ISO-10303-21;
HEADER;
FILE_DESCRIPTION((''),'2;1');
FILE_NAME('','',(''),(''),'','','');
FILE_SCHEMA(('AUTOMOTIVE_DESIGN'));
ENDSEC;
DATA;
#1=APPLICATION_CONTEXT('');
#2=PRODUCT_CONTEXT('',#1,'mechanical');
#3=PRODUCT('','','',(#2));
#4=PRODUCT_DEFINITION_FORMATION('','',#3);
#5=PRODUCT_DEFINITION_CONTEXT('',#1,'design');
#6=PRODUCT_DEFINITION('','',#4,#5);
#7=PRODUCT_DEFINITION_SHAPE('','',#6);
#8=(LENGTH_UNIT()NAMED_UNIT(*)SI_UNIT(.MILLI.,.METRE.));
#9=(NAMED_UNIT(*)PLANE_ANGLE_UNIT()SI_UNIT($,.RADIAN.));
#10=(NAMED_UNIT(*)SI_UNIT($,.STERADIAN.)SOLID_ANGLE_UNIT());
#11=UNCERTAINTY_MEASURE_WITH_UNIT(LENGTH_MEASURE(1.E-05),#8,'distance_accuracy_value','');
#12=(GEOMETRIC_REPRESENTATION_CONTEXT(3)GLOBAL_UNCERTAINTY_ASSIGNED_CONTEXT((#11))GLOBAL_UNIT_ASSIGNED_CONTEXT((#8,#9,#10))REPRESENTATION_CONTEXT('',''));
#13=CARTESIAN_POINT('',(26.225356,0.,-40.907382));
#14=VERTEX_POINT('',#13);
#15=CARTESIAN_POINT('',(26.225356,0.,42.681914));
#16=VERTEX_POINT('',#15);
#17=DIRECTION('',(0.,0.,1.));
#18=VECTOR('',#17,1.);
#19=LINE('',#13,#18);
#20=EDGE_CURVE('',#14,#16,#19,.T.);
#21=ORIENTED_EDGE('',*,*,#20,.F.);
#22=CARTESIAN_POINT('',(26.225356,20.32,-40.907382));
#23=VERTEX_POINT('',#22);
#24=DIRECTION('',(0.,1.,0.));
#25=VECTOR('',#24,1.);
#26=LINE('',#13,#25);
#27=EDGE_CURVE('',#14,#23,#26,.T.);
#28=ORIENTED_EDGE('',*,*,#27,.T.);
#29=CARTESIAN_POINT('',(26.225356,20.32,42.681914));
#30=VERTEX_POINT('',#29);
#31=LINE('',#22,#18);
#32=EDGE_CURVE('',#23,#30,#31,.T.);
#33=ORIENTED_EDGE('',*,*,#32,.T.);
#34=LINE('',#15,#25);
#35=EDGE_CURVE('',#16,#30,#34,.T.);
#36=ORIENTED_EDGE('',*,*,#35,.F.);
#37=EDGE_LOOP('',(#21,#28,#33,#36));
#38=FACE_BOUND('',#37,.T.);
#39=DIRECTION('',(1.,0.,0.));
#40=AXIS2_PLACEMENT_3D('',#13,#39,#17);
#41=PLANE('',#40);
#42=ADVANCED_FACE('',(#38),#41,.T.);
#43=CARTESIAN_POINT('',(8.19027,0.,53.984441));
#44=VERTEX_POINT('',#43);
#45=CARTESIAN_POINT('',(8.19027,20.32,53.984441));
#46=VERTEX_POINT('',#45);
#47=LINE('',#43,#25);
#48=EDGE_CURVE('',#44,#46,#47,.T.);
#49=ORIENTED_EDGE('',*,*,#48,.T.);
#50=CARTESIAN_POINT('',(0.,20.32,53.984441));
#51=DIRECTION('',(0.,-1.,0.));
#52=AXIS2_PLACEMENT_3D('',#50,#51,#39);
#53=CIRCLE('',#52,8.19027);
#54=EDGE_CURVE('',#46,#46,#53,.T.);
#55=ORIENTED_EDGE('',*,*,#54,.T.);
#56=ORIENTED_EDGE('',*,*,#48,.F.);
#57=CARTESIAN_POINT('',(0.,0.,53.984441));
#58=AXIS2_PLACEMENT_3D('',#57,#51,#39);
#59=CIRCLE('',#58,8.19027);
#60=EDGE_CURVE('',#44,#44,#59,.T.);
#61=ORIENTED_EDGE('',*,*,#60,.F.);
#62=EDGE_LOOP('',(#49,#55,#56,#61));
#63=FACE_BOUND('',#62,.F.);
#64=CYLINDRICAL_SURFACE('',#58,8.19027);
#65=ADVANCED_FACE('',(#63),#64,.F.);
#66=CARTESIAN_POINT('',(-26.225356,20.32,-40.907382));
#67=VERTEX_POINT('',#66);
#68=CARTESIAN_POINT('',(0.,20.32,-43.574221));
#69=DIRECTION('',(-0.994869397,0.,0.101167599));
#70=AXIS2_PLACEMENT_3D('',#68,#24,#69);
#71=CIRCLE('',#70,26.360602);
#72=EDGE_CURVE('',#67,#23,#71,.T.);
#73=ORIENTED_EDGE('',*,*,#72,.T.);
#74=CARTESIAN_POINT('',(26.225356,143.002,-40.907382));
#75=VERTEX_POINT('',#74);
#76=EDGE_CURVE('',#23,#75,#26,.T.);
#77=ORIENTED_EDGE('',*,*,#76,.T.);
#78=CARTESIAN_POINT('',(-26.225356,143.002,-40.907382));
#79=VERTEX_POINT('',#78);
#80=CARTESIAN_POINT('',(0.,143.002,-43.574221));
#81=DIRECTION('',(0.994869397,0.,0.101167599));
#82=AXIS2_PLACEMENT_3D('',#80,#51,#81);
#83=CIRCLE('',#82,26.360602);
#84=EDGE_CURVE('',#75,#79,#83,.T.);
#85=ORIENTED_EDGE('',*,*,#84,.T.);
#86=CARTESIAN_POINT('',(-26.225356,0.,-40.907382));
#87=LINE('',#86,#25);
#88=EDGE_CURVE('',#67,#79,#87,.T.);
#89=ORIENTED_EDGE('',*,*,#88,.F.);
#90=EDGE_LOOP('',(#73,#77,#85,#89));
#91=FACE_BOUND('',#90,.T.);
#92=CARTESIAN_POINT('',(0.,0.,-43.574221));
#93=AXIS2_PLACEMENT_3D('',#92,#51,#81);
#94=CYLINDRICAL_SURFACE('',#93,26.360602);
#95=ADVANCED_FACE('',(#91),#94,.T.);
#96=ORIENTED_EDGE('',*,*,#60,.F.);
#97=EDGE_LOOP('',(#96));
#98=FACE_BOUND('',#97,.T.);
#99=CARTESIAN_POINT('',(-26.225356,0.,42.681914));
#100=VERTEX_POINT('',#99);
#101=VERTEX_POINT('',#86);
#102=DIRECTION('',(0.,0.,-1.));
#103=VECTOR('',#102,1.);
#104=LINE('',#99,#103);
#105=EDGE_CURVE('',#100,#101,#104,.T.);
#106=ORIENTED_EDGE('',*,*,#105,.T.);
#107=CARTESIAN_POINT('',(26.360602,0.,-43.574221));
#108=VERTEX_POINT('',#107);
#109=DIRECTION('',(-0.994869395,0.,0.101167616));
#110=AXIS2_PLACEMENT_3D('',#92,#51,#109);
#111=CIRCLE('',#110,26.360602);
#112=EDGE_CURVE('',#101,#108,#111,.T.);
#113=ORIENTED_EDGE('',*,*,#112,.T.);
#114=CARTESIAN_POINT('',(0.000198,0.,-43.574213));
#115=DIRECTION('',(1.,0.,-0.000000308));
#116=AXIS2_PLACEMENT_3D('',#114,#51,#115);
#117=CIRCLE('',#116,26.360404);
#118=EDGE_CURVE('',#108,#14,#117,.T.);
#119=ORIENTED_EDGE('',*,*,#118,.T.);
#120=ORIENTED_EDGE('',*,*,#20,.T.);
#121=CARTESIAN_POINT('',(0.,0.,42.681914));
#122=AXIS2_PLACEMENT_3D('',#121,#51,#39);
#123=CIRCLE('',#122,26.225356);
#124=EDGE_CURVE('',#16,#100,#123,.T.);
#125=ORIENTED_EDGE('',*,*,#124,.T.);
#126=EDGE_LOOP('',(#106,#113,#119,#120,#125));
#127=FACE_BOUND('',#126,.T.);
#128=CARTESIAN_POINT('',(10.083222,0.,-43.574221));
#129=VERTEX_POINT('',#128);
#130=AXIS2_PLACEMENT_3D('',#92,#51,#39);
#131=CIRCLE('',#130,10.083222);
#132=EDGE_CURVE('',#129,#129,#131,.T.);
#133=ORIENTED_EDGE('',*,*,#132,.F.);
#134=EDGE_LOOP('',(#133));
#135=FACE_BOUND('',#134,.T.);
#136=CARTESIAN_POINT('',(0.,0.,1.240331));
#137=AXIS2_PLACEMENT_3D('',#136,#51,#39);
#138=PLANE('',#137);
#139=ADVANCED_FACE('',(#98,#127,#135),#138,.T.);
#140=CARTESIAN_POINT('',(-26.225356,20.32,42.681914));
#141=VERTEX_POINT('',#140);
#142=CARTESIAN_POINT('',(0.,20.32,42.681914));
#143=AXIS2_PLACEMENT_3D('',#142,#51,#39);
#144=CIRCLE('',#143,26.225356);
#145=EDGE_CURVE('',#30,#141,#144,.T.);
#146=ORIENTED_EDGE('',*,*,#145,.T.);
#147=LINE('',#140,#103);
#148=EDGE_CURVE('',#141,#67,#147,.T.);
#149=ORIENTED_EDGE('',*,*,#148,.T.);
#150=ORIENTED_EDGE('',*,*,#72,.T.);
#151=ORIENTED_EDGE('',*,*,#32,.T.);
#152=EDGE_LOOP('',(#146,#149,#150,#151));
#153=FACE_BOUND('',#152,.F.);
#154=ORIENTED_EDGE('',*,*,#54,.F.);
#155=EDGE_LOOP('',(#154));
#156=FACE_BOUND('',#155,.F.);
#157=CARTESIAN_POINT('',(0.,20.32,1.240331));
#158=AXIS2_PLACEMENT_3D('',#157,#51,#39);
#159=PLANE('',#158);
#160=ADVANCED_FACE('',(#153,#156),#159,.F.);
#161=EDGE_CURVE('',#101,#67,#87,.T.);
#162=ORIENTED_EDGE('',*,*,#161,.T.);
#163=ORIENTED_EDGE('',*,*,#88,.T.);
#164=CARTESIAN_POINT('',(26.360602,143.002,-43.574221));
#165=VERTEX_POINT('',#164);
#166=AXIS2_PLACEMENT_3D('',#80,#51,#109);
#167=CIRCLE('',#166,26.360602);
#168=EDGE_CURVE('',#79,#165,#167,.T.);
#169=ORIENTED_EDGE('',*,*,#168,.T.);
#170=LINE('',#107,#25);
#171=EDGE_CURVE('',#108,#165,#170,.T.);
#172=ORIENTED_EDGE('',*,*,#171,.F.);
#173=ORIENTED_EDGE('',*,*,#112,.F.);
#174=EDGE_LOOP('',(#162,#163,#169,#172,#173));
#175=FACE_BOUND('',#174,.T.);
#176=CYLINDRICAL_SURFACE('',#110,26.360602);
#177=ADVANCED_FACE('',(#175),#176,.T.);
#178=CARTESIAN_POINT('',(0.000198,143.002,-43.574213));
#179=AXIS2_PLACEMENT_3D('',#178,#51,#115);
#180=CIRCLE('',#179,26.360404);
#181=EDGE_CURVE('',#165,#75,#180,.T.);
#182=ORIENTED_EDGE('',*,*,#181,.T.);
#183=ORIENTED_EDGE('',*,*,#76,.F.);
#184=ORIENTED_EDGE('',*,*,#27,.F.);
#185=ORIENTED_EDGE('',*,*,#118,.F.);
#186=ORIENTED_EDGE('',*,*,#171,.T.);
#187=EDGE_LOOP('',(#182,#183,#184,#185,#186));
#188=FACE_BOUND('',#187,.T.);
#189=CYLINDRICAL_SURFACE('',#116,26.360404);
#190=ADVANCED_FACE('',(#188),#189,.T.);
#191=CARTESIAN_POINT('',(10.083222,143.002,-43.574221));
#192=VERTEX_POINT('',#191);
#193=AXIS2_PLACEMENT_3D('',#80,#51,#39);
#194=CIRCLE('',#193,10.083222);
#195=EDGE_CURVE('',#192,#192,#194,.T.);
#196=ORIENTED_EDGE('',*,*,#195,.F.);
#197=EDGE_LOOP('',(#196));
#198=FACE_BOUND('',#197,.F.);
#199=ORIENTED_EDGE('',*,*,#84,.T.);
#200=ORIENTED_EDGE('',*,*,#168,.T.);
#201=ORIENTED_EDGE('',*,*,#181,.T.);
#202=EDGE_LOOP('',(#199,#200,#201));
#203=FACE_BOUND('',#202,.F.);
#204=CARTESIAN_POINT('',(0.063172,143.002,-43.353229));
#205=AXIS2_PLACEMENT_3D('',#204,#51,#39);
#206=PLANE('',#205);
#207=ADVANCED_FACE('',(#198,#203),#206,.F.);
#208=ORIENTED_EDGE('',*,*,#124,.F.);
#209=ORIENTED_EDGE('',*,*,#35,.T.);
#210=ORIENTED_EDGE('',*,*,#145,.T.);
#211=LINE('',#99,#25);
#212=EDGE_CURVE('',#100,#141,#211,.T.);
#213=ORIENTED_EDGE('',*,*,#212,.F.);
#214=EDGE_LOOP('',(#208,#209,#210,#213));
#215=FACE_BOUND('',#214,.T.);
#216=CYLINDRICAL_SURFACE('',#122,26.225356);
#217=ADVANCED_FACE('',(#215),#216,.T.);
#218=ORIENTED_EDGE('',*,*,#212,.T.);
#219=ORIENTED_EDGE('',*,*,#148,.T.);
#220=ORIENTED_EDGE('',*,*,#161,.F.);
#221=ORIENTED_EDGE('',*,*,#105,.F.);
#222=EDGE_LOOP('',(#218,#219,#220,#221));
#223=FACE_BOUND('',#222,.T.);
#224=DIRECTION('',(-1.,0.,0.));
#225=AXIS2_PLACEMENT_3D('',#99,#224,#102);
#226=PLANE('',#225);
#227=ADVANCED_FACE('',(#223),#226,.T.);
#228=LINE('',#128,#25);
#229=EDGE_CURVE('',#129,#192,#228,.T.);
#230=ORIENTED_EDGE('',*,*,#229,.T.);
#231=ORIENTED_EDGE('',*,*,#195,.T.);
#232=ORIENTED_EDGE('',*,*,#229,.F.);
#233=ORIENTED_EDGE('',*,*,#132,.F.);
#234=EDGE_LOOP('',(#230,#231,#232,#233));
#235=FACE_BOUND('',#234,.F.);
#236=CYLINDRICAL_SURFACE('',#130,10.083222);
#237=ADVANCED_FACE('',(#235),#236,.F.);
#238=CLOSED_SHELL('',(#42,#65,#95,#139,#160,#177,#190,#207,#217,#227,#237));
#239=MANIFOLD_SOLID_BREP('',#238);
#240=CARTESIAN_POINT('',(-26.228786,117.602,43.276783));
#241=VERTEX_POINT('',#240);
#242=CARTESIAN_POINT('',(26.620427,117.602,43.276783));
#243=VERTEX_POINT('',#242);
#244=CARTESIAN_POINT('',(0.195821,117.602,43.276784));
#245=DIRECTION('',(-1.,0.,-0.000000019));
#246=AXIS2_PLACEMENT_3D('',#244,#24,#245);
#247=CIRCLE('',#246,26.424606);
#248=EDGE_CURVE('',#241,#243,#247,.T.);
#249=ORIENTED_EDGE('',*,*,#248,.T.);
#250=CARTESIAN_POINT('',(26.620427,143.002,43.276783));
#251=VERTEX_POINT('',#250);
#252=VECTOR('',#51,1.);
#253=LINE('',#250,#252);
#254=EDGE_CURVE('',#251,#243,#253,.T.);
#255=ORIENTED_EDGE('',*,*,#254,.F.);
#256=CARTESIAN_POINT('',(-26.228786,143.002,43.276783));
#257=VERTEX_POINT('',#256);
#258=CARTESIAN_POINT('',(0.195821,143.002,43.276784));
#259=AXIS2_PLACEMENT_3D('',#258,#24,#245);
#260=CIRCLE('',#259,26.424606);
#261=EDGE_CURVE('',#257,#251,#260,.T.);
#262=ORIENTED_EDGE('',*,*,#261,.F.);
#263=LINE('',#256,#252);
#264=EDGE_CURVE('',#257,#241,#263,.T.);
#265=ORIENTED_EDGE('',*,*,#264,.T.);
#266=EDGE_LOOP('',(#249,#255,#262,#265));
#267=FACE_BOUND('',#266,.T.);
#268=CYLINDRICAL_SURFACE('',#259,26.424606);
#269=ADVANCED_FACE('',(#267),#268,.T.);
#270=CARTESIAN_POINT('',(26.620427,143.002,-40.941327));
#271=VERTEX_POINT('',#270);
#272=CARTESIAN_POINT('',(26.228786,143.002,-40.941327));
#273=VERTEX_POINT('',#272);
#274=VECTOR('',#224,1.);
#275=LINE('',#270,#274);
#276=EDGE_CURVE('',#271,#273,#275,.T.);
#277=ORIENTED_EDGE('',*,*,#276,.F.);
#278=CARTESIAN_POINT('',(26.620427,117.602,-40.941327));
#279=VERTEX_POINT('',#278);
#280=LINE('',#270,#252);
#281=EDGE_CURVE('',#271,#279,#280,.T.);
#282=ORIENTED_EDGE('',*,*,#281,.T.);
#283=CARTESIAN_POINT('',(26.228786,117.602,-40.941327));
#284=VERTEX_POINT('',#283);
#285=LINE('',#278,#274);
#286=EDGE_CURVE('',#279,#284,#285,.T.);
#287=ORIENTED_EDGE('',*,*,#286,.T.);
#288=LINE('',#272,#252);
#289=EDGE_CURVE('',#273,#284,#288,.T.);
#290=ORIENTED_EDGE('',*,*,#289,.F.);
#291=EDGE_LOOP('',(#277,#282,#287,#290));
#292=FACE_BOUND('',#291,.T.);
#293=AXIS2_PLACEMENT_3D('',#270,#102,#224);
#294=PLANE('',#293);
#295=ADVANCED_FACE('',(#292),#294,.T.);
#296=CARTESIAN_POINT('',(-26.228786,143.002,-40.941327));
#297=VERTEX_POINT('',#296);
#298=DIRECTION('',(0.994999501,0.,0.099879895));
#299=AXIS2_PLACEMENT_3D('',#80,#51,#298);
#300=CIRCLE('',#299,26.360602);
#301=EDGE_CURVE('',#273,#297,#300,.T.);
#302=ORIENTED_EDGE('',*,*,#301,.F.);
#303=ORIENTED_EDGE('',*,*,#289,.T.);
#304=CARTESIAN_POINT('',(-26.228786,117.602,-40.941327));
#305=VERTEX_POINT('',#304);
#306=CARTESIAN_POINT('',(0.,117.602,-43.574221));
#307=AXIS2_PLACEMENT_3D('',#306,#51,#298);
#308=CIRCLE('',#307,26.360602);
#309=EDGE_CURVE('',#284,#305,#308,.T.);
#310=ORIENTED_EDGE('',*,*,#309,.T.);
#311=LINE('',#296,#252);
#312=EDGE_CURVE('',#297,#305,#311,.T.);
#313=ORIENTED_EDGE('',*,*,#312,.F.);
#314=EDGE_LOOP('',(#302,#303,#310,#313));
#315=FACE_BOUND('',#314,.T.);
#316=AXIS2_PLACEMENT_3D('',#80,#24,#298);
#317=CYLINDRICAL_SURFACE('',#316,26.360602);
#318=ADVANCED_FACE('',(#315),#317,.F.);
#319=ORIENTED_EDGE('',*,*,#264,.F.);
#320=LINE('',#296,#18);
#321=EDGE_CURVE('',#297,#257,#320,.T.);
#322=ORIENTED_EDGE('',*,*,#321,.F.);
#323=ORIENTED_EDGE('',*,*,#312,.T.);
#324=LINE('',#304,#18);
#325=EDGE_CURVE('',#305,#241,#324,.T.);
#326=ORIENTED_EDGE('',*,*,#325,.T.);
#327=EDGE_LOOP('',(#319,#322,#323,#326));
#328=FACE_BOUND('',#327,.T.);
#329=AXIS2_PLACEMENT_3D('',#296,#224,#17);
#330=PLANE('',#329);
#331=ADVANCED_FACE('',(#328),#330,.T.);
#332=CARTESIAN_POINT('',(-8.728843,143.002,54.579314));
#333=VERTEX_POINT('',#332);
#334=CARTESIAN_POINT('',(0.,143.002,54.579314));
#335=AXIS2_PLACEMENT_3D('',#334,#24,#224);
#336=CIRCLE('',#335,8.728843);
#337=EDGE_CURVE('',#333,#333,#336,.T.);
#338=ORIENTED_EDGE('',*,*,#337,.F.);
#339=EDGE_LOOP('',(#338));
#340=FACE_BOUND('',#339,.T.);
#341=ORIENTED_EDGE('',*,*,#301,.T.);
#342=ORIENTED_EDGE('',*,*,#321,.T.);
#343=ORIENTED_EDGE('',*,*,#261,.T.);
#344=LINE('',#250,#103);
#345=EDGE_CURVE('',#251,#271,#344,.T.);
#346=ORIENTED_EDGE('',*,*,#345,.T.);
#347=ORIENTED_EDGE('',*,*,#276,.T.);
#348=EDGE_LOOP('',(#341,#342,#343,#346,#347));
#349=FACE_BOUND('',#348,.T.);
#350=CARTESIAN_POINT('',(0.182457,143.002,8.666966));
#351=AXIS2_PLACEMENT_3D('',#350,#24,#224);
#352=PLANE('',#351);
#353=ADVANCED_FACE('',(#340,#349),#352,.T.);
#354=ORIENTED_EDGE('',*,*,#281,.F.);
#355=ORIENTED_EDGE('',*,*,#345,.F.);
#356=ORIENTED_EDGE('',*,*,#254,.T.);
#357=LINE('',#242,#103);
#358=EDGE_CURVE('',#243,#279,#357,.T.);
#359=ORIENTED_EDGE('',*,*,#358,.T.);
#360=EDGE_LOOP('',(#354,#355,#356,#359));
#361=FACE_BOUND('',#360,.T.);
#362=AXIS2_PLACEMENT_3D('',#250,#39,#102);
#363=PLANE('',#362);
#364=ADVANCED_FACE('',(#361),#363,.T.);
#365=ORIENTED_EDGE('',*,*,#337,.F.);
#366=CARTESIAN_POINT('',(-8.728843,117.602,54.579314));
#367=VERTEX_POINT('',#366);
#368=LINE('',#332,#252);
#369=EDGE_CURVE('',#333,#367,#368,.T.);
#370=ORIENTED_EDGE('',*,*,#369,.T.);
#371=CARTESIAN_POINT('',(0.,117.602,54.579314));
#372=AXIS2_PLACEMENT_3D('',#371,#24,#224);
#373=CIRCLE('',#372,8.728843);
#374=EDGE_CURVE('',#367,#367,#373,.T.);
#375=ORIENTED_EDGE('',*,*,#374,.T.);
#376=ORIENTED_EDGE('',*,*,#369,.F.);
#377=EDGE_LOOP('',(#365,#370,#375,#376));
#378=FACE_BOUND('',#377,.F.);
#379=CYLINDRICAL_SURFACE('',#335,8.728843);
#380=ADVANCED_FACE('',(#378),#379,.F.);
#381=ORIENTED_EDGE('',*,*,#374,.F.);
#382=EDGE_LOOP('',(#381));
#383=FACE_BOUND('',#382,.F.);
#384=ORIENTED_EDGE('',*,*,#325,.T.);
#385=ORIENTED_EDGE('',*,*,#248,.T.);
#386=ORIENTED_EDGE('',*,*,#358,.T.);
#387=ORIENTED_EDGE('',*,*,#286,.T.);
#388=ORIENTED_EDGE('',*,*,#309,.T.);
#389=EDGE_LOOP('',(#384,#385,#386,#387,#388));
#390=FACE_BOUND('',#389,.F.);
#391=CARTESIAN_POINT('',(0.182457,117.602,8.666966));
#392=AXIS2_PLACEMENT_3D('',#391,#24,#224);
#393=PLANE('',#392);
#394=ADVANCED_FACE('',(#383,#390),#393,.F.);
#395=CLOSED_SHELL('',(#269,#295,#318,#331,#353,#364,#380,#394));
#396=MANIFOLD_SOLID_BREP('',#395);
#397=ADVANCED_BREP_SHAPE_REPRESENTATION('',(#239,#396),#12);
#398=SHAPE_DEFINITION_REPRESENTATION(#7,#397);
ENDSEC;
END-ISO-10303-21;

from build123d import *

# Parameters (mm, degrees)
F0_R     = 10.083222
F1_DEPTH = 143.002
F0_R_2   = 8.19027
F2_DEPTH = 20.32
F3_R     = 8.728843
F4_DEPTH = 25.4


with BuildPart() as f1:
    # F0 (on Front) → F1 (new body)
    with BuildSketch(Plane.XZ):
        with BuildLine():
            ThreePointArc((-26.225356, -40.907382), (-1.335133, -69.90099), (26.360602, -43.574221))
            ThreePointArc((26.360602, -43.574221), (26.326769, -42.239088), (26.225356, -40.907382))
            ThreePointArc((26.225356, -40.907382), (0, -17.213619), (-26.225356, -40.907382))
        make_face()
        with Locations((0, -43.574221)):
            Circle(F0_R, mode=Mode.SUBTRACT)
    extrude(amount=-F1_DEPTH)

    # F0 (on Front) → F2 (join)
    with BuildSketch(Plane.XZ):
        with BuildLine():
            ThreePointArc((-26.225356, -40.907382), (0, -17.213619), (26.225356, -40.907382))
            Line((26.225356, -40.907382), (26.225356, 42.681914))
            Line((26.225356, 42.681914), (-26.225356, 42.681914))
            Line((-26.225356, 42.681914), (-26.225356, -40.907382))
        make_face()
        with BuildLine():
            Line((-26.225356, 42.681914), (26.225356, 42.681914))
            ThreePointArc((26.225356, 42.681914), (0, 68.90727), (-26.225356, 42.681914))
        make_face()
        with Locations((0, 53.984441)):
            Circle(F0_R_2, mode=Mode.SUBTRACT)
    extrude(amount=-F2_DEPTH)


with BuildPart() as f4:
    # F3 (on face) → F4 (new body)
    with BuildSketch(Plane(origin=(0, 143.002, 0), x_dir=(-1, 0, 0), z_dir=(0, 1, 0))):
        with BuildLine():
            Line((-26.620427, 43.276783), (-26.620427, -40.941327))
            Line((-26.620427, -40.941327), (-26.228786, -40.941327))
            ThreePointArc((-26.228786, -40.941327), (0, -17.213619), (26.228786, -40.941327))
            Line((26.228786, -40.941327), (26.228786, 43.276783))
            ThreePointArc((26.228786, 43.276783), (-0.195821, 69.70139), (-26.620427, 43.276783))
        make_face()
        with Locations((0, 54.579314)):
            Circle(F3_R, mode=Mode.SUBTRACT)
    extrude(amount=-F4_DEPTH)


solid = Compound([f1.part, f4.part])
